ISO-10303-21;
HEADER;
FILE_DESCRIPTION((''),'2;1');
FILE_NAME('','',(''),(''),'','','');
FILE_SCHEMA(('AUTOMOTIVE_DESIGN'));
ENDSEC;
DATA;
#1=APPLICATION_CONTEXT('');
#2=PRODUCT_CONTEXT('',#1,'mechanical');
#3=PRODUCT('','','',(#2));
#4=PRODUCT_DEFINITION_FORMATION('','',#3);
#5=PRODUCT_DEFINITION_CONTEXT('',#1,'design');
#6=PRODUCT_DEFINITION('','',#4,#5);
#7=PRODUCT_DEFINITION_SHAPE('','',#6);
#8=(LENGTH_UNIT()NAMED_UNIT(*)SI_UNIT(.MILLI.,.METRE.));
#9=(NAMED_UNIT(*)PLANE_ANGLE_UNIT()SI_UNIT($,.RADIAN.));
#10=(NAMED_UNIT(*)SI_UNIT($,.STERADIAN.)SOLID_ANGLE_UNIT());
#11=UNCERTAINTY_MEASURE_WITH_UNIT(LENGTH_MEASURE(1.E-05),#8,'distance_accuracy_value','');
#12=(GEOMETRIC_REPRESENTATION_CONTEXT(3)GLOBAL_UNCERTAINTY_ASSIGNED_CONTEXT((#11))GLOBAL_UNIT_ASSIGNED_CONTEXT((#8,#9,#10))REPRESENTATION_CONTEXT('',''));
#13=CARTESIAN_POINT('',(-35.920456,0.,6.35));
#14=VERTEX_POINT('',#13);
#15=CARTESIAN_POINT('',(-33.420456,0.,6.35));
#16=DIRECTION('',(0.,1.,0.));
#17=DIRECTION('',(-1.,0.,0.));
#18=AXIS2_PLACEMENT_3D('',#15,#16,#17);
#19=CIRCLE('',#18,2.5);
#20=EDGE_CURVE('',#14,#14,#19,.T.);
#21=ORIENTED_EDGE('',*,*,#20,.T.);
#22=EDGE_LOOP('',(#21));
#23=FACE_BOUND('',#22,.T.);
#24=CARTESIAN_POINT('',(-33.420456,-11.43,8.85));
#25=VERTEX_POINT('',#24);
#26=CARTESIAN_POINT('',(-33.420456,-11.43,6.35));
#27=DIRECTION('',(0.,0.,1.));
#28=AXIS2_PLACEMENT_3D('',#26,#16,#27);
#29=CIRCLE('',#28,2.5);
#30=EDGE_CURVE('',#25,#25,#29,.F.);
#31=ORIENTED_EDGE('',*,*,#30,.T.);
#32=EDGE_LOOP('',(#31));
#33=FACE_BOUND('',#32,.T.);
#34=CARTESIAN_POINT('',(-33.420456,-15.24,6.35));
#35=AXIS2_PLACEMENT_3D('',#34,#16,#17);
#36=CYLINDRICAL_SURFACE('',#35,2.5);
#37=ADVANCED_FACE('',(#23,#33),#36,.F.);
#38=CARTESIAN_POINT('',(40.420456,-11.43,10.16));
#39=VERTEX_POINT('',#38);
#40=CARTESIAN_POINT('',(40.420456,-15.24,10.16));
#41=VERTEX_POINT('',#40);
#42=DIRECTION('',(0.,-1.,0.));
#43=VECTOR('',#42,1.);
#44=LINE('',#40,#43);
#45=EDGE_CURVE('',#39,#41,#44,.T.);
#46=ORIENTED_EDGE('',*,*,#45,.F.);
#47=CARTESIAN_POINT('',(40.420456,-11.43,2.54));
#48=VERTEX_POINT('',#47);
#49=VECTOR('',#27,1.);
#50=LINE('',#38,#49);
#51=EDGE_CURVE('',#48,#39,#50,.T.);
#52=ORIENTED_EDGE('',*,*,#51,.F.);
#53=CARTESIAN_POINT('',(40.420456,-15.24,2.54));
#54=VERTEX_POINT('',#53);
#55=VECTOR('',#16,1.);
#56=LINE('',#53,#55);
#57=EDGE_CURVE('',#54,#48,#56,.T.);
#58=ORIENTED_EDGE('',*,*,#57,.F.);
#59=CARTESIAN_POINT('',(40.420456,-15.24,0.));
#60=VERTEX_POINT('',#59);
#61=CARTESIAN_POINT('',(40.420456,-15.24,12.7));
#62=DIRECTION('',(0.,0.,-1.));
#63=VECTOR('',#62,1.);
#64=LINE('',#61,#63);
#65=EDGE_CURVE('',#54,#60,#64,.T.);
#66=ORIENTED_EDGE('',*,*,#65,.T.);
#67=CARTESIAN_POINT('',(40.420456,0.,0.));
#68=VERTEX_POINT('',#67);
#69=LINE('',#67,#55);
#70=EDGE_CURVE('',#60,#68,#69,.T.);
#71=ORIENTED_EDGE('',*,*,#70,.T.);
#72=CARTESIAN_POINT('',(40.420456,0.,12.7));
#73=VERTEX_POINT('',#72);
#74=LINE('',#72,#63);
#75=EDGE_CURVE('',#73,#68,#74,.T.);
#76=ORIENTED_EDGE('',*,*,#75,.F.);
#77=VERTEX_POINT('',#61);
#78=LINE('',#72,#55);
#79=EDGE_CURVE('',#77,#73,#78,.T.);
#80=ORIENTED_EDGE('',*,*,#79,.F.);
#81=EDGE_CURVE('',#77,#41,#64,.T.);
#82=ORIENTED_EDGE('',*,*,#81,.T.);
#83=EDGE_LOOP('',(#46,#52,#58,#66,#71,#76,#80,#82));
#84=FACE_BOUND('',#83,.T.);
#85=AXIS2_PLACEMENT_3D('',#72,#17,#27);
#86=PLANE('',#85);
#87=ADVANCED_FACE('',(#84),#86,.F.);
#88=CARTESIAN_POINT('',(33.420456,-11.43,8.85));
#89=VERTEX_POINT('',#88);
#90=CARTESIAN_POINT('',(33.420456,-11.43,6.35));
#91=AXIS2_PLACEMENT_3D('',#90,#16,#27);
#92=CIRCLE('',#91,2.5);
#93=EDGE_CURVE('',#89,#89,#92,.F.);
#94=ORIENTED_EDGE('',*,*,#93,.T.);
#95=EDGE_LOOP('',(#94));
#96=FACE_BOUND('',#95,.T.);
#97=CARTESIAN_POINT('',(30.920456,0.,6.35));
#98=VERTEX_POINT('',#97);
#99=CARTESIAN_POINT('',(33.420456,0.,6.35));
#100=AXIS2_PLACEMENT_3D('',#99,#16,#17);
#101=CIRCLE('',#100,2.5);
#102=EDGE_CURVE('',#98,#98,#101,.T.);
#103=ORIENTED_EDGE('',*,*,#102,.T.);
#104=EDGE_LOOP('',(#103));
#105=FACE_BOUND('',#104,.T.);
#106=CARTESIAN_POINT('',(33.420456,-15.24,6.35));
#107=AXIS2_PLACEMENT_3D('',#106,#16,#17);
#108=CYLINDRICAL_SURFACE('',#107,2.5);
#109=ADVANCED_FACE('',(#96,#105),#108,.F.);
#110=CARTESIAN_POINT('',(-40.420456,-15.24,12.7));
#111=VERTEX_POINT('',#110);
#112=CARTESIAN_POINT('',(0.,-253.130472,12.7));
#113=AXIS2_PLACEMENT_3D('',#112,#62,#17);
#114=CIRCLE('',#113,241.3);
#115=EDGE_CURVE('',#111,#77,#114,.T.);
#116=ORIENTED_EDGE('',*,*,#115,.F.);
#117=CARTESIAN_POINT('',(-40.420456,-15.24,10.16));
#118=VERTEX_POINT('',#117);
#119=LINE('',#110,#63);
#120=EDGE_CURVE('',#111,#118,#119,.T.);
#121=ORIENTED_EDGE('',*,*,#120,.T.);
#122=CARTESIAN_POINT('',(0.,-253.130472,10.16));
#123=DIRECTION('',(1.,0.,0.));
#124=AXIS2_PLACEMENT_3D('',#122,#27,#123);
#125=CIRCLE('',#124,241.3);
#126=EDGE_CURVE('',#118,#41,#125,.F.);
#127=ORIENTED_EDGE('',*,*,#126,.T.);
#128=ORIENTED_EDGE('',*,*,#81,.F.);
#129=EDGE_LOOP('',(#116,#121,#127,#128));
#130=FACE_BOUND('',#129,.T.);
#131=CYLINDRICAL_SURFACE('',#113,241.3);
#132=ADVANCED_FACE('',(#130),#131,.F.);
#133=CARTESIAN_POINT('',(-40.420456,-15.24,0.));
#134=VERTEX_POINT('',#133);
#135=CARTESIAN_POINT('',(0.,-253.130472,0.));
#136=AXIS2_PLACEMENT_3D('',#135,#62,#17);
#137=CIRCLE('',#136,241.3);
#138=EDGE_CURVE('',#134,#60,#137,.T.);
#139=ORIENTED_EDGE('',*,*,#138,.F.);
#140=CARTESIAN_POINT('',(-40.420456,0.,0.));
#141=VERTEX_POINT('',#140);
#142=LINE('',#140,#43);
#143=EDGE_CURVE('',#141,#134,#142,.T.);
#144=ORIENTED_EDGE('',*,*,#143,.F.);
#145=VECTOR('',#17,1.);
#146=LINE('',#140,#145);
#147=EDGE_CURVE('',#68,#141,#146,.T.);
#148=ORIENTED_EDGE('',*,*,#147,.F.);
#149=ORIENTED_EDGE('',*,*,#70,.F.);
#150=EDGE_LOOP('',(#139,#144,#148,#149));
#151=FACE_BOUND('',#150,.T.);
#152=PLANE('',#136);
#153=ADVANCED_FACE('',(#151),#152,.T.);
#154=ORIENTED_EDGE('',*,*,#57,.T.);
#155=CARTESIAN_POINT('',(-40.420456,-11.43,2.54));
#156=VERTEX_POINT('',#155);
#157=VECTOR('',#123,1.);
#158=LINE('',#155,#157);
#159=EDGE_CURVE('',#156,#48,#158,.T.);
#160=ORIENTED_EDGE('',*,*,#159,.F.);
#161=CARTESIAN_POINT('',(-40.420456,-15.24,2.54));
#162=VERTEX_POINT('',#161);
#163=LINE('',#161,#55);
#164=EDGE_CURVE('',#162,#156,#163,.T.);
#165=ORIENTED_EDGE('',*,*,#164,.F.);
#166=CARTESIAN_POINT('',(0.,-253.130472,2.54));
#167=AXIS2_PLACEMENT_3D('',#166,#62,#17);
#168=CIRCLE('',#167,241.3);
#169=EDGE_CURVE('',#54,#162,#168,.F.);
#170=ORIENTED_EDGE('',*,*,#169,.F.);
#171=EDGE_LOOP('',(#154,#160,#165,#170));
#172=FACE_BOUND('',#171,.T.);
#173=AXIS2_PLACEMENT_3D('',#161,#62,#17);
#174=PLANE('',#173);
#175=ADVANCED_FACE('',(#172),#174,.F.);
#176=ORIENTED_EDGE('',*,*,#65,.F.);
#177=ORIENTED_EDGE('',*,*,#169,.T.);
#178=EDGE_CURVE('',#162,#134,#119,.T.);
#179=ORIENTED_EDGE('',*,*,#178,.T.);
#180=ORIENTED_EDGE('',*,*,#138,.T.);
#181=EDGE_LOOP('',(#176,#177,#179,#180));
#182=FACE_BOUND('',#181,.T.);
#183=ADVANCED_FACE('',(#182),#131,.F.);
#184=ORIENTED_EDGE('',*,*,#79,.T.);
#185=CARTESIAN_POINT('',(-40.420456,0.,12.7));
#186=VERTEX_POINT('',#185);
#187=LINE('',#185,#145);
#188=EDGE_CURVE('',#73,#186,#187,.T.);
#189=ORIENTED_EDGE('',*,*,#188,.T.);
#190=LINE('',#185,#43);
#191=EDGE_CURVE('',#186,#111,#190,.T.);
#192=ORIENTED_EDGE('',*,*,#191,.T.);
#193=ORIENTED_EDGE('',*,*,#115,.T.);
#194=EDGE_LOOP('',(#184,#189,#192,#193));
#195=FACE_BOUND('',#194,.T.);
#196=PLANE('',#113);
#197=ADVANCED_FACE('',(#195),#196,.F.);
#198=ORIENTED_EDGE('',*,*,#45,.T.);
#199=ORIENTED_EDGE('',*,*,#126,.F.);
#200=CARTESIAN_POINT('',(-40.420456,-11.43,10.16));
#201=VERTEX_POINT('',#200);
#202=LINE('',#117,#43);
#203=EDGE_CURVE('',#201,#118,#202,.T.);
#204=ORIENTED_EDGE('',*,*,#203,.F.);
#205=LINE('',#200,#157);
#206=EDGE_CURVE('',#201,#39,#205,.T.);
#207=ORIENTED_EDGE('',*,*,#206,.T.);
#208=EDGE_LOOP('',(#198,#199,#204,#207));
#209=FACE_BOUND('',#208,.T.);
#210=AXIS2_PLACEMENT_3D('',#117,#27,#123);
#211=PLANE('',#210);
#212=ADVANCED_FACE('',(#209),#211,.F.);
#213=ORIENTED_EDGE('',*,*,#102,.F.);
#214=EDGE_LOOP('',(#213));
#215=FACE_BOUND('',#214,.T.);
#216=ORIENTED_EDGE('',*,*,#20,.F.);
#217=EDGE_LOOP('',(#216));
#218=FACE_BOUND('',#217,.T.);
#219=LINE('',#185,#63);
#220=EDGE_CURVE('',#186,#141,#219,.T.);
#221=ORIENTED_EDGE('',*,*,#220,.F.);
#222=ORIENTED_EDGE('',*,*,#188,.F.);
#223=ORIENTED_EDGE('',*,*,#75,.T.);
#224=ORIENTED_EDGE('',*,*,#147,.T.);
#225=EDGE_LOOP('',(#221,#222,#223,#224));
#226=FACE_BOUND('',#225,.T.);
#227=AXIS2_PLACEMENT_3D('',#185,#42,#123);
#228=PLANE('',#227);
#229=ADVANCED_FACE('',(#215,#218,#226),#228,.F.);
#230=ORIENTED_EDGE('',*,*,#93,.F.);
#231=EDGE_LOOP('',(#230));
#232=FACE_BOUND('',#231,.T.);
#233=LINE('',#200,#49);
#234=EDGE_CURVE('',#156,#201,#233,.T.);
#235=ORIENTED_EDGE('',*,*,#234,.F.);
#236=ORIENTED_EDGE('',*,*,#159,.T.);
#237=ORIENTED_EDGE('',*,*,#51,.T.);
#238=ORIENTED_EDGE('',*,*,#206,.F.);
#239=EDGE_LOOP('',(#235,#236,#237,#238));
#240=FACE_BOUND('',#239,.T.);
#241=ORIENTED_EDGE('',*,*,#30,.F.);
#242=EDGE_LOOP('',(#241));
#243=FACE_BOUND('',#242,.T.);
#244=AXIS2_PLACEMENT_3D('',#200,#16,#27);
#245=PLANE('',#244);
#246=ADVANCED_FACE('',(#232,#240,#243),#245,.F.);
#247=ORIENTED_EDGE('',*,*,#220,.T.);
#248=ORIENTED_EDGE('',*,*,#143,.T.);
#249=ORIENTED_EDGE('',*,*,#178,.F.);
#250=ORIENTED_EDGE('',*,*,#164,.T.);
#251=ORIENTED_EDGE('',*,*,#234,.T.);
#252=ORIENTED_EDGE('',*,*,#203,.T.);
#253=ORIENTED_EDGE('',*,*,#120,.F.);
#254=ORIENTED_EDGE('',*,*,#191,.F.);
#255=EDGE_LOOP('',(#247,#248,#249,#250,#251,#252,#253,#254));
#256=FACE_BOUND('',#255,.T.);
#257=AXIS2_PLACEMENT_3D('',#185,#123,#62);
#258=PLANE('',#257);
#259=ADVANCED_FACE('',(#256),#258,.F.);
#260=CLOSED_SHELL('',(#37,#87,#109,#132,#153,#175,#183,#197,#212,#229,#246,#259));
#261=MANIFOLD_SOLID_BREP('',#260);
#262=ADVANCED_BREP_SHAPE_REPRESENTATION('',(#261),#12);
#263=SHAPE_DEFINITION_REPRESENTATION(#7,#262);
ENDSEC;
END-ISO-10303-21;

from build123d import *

# Parameters (mm, degrees)
BOSS_EXTRUDE1_DEPTH = 12.7
SKETCH2_R           = 2.5
CUT_EXTRUDE1_DEPTH  = 16.24
SKETCH3_W           = 7.62
SKETCH3_H           = 3.81
CUT_EXTRUDE2_DEPTH  = 81.8409129


with BuildPart() as part:
    # Sketch1 → Boss-Extrude1 (new body)
    with BuildSketch(Plane.XY):
        with BuildLine():
            Line((-40.4204564, 0), (40.4204564, 0))
            Line((40.4204564, 0), (40.4204564, -15.24))
            ThreePointArc((40.4204564, -15.24), (0, -11.830472076), (-40.4204564, -15.24))
            Line((-40.4204564, -15.24), (-40.4204564, 0))
        make_face()
    extrude(amount=BOSS_EXTRUDE1_DEPTH)

    # Sketch2 → Cut-Extrude1 (cut, through all)
    with BuildSketch(Plane(origin=(0, 0, 0), x_dir=(1, 0, 0), z_dir=(0, 1, 0))):
        with Locations((-33.4204564, -6.35)):
            Circle(SKETCH2_R)
        with Locations((33.4204564, -6.35)):
            Circle(SKETCH2_R)
    extrude(amount=-CUT_EXTRUDE1_DEPTH, mode=Mode.SUBTRACT)

    # Sketch3 → Cut-Extrude2 (cut, through all)
    with BuildSketch(Plane(origin=(40.4204564, 0, 0), x_dir=(0, 0, -1), z_dir=(1, 0, 0))):
        with Locations((-6.35, -13.335)):
            Rectangle(SKETCH3_W, SKETCH3_H)
    extrude(amount=-CUT_EXTRUDE2_DEPTH, mode=Mode.SUBTRACT)


solid = part.part
